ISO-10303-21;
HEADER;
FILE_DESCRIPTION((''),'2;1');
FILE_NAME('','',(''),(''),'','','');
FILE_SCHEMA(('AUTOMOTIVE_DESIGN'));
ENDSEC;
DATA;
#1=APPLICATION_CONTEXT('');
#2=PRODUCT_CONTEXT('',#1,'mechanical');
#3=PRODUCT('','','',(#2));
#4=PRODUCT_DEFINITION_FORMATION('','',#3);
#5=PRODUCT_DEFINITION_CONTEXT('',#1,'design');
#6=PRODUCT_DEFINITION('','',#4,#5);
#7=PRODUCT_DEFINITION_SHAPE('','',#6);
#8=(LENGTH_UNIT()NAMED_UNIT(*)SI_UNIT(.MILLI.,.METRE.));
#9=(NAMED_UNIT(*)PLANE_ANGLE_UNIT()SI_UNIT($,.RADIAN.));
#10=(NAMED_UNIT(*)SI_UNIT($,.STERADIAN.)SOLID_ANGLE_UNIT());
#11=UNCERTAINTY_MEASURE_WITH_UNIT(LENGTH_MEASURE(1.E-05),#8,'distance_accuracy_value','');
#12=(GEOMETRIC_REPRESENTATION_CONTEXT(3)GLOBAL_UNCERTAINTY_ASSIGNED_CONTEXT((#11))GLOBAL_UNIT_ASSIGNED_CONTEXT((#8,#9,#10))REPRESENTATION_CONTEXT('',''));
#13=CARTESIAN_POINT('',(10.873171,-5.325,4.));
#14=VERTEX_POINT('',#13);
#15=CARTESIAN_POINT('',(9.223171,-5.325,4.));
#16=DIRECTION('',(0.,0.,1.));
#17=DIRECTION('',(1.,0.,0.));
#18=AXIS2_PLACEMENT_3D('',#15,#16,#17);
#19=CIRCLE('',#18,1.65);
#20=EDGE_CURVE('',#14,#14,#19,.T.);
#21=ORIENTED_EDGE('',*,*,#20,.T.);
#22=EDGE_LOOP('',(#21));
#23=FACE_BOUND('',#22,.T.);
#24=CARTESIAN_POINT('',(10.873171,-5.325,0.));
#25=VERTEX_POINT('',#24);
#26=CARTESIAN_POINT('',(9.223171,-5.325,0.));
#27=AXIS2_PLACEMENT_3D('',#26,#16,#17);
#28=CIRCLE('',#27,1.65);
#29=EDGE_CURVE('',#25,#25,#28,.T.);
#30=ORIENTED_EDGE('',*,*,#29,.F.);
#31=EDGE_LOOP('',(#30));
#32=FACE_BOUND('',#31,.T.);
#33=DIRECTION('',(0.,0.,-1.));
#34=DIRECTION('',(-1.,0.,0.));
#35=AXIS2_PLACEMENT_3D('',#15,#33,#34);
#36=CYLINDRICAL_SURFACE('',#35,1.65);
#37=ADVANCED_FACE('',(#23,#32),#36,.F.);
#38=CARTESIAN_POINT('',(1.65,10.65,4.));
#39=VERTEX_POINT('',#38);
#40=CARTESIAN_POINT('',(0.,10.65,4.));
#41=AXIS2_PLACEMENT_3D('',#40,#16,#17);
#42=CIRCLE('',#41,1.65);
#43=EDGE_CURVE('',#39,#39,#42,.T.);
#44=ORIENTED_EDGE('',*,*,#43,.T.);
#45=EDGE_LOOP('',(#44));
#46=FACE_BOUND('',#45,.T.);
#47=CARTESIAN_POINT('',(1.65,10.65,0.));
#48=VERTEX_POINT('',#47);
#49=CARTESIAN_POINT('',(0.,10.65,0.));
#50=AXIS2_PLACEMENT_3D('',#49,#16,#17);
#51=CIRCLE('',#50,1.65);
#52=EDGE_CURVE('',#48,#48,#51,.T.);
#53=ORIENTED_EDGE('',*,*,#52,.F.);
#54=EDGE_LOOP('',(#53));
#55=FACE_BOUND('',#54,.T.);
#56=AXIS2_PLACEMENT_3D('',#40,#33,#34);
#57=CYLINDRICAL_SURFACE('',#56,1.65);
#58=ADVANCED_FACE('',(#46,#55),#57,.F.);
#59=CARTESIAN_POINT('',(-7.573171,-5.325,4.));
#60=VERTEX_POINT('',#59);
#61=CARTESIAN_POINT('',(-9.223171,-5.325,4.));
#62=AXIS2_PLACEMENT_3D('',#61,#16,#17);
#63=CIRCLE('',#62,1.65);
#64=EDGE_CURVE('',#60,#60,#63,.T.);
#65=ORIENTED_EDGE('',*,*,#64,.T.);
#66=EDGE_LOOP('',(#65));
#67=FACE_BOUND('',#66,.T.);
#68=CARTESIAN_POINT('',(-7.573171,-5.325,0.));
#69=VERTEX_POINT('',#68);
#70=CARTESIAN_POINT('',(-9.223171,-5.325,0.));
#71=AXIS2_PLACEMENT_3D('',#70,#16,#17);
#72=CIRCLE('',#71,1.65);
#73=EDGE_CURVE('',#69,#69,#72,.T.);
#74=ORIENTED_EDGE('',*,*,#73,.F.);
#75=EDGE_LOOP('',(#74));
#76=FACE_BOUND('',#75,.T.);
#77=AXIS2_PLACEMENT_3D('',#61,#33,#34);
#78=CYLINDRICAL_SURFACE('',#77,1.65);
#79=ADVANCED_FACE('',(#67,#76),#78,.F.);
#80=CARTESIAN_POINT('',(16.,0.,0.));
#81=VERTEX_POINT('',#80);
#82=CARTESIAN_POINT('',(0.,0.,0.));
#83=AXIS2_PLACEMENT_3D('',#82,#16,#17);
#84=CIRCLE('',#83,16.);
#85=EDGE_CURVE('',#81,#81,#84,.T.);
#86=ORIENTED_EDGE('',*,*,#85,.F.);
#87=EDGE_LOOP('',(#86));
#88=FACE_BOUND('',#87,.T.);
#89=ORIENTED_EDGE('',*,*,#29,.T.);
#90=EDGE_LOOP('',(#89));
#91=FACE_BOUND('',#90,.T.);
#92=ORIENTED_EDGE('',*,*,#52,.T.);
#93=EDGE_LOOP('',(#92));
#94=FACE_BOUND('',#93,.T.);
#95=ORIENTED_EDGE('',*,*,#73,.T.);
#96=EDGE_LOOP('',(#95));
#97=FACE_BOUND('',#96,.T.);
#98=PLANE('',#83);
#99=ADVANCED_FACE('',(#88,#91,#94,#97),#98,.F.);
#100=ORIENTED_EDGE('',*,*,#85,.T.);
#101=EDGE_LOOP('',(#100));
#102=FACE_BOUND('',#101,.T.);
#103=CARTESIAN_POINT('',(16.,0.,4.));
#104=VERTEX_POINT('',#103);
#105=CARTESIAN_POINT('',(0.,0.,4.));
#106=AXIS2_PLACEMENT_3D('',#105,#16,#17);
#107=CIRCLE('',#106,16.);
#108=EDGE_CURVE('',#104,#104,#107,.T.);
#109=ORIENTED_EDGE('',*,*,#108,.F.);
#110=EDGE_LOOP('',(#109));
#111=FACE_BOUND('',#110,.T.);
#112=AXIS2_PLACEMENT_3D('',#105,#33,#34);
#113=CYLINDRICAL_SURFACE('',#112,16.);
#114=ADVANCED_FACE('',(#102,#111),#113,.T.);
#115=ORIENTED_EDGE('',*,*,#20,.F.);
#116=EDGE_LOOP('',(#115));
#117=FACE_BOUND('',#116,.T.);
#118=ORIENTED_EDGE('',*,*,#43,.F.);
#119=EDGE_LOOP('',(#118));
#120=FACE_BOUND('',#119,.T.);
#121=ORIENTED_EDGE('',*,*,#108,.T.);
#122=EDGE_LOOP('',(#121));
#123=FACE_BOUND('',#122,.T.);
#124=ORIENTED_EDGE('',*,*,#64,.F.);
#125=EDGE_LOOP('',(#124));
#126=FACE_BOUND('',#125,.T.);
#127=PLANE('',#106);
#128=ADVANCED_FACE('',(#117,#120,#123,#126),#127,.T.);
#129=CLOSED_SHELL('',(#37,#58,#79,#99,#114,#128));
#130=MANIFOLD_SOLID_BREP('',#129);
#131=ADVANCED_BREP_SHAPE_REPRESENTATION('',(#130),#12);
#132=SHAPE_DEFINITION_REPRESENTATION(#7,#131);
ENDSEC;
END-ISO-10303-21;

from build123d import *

# Parameters (mm, degrees)
SKETCH1_R           = 16
SKETCH1_R_2         = 1.65
BOSS_EXTRUDE1_DEPTH = 4


with BuildPart() as part:
    # Sketch1 → Boss-Extrude1 (new body)
    with BuildSketch(Plane.XY):
        Circle(SKETCH1_R)
        with Locations((9.22317055, -5.325)):
            Circle(SKETCH1_R_2, mode=Mode.SUBTRACT)
        with Locations((0, 10.65)):
            Circle(SKETCH1_R_2, mode=Mode.SUBTRACT)
        with Locations((-9.22317055, -5.325)):
            Circle(SKETCH1_R_2, mode=Mode.SUBTRACT)
    extrude(amount=BOSS_EXTRUDE1_DEPTH)


solid = part.part
